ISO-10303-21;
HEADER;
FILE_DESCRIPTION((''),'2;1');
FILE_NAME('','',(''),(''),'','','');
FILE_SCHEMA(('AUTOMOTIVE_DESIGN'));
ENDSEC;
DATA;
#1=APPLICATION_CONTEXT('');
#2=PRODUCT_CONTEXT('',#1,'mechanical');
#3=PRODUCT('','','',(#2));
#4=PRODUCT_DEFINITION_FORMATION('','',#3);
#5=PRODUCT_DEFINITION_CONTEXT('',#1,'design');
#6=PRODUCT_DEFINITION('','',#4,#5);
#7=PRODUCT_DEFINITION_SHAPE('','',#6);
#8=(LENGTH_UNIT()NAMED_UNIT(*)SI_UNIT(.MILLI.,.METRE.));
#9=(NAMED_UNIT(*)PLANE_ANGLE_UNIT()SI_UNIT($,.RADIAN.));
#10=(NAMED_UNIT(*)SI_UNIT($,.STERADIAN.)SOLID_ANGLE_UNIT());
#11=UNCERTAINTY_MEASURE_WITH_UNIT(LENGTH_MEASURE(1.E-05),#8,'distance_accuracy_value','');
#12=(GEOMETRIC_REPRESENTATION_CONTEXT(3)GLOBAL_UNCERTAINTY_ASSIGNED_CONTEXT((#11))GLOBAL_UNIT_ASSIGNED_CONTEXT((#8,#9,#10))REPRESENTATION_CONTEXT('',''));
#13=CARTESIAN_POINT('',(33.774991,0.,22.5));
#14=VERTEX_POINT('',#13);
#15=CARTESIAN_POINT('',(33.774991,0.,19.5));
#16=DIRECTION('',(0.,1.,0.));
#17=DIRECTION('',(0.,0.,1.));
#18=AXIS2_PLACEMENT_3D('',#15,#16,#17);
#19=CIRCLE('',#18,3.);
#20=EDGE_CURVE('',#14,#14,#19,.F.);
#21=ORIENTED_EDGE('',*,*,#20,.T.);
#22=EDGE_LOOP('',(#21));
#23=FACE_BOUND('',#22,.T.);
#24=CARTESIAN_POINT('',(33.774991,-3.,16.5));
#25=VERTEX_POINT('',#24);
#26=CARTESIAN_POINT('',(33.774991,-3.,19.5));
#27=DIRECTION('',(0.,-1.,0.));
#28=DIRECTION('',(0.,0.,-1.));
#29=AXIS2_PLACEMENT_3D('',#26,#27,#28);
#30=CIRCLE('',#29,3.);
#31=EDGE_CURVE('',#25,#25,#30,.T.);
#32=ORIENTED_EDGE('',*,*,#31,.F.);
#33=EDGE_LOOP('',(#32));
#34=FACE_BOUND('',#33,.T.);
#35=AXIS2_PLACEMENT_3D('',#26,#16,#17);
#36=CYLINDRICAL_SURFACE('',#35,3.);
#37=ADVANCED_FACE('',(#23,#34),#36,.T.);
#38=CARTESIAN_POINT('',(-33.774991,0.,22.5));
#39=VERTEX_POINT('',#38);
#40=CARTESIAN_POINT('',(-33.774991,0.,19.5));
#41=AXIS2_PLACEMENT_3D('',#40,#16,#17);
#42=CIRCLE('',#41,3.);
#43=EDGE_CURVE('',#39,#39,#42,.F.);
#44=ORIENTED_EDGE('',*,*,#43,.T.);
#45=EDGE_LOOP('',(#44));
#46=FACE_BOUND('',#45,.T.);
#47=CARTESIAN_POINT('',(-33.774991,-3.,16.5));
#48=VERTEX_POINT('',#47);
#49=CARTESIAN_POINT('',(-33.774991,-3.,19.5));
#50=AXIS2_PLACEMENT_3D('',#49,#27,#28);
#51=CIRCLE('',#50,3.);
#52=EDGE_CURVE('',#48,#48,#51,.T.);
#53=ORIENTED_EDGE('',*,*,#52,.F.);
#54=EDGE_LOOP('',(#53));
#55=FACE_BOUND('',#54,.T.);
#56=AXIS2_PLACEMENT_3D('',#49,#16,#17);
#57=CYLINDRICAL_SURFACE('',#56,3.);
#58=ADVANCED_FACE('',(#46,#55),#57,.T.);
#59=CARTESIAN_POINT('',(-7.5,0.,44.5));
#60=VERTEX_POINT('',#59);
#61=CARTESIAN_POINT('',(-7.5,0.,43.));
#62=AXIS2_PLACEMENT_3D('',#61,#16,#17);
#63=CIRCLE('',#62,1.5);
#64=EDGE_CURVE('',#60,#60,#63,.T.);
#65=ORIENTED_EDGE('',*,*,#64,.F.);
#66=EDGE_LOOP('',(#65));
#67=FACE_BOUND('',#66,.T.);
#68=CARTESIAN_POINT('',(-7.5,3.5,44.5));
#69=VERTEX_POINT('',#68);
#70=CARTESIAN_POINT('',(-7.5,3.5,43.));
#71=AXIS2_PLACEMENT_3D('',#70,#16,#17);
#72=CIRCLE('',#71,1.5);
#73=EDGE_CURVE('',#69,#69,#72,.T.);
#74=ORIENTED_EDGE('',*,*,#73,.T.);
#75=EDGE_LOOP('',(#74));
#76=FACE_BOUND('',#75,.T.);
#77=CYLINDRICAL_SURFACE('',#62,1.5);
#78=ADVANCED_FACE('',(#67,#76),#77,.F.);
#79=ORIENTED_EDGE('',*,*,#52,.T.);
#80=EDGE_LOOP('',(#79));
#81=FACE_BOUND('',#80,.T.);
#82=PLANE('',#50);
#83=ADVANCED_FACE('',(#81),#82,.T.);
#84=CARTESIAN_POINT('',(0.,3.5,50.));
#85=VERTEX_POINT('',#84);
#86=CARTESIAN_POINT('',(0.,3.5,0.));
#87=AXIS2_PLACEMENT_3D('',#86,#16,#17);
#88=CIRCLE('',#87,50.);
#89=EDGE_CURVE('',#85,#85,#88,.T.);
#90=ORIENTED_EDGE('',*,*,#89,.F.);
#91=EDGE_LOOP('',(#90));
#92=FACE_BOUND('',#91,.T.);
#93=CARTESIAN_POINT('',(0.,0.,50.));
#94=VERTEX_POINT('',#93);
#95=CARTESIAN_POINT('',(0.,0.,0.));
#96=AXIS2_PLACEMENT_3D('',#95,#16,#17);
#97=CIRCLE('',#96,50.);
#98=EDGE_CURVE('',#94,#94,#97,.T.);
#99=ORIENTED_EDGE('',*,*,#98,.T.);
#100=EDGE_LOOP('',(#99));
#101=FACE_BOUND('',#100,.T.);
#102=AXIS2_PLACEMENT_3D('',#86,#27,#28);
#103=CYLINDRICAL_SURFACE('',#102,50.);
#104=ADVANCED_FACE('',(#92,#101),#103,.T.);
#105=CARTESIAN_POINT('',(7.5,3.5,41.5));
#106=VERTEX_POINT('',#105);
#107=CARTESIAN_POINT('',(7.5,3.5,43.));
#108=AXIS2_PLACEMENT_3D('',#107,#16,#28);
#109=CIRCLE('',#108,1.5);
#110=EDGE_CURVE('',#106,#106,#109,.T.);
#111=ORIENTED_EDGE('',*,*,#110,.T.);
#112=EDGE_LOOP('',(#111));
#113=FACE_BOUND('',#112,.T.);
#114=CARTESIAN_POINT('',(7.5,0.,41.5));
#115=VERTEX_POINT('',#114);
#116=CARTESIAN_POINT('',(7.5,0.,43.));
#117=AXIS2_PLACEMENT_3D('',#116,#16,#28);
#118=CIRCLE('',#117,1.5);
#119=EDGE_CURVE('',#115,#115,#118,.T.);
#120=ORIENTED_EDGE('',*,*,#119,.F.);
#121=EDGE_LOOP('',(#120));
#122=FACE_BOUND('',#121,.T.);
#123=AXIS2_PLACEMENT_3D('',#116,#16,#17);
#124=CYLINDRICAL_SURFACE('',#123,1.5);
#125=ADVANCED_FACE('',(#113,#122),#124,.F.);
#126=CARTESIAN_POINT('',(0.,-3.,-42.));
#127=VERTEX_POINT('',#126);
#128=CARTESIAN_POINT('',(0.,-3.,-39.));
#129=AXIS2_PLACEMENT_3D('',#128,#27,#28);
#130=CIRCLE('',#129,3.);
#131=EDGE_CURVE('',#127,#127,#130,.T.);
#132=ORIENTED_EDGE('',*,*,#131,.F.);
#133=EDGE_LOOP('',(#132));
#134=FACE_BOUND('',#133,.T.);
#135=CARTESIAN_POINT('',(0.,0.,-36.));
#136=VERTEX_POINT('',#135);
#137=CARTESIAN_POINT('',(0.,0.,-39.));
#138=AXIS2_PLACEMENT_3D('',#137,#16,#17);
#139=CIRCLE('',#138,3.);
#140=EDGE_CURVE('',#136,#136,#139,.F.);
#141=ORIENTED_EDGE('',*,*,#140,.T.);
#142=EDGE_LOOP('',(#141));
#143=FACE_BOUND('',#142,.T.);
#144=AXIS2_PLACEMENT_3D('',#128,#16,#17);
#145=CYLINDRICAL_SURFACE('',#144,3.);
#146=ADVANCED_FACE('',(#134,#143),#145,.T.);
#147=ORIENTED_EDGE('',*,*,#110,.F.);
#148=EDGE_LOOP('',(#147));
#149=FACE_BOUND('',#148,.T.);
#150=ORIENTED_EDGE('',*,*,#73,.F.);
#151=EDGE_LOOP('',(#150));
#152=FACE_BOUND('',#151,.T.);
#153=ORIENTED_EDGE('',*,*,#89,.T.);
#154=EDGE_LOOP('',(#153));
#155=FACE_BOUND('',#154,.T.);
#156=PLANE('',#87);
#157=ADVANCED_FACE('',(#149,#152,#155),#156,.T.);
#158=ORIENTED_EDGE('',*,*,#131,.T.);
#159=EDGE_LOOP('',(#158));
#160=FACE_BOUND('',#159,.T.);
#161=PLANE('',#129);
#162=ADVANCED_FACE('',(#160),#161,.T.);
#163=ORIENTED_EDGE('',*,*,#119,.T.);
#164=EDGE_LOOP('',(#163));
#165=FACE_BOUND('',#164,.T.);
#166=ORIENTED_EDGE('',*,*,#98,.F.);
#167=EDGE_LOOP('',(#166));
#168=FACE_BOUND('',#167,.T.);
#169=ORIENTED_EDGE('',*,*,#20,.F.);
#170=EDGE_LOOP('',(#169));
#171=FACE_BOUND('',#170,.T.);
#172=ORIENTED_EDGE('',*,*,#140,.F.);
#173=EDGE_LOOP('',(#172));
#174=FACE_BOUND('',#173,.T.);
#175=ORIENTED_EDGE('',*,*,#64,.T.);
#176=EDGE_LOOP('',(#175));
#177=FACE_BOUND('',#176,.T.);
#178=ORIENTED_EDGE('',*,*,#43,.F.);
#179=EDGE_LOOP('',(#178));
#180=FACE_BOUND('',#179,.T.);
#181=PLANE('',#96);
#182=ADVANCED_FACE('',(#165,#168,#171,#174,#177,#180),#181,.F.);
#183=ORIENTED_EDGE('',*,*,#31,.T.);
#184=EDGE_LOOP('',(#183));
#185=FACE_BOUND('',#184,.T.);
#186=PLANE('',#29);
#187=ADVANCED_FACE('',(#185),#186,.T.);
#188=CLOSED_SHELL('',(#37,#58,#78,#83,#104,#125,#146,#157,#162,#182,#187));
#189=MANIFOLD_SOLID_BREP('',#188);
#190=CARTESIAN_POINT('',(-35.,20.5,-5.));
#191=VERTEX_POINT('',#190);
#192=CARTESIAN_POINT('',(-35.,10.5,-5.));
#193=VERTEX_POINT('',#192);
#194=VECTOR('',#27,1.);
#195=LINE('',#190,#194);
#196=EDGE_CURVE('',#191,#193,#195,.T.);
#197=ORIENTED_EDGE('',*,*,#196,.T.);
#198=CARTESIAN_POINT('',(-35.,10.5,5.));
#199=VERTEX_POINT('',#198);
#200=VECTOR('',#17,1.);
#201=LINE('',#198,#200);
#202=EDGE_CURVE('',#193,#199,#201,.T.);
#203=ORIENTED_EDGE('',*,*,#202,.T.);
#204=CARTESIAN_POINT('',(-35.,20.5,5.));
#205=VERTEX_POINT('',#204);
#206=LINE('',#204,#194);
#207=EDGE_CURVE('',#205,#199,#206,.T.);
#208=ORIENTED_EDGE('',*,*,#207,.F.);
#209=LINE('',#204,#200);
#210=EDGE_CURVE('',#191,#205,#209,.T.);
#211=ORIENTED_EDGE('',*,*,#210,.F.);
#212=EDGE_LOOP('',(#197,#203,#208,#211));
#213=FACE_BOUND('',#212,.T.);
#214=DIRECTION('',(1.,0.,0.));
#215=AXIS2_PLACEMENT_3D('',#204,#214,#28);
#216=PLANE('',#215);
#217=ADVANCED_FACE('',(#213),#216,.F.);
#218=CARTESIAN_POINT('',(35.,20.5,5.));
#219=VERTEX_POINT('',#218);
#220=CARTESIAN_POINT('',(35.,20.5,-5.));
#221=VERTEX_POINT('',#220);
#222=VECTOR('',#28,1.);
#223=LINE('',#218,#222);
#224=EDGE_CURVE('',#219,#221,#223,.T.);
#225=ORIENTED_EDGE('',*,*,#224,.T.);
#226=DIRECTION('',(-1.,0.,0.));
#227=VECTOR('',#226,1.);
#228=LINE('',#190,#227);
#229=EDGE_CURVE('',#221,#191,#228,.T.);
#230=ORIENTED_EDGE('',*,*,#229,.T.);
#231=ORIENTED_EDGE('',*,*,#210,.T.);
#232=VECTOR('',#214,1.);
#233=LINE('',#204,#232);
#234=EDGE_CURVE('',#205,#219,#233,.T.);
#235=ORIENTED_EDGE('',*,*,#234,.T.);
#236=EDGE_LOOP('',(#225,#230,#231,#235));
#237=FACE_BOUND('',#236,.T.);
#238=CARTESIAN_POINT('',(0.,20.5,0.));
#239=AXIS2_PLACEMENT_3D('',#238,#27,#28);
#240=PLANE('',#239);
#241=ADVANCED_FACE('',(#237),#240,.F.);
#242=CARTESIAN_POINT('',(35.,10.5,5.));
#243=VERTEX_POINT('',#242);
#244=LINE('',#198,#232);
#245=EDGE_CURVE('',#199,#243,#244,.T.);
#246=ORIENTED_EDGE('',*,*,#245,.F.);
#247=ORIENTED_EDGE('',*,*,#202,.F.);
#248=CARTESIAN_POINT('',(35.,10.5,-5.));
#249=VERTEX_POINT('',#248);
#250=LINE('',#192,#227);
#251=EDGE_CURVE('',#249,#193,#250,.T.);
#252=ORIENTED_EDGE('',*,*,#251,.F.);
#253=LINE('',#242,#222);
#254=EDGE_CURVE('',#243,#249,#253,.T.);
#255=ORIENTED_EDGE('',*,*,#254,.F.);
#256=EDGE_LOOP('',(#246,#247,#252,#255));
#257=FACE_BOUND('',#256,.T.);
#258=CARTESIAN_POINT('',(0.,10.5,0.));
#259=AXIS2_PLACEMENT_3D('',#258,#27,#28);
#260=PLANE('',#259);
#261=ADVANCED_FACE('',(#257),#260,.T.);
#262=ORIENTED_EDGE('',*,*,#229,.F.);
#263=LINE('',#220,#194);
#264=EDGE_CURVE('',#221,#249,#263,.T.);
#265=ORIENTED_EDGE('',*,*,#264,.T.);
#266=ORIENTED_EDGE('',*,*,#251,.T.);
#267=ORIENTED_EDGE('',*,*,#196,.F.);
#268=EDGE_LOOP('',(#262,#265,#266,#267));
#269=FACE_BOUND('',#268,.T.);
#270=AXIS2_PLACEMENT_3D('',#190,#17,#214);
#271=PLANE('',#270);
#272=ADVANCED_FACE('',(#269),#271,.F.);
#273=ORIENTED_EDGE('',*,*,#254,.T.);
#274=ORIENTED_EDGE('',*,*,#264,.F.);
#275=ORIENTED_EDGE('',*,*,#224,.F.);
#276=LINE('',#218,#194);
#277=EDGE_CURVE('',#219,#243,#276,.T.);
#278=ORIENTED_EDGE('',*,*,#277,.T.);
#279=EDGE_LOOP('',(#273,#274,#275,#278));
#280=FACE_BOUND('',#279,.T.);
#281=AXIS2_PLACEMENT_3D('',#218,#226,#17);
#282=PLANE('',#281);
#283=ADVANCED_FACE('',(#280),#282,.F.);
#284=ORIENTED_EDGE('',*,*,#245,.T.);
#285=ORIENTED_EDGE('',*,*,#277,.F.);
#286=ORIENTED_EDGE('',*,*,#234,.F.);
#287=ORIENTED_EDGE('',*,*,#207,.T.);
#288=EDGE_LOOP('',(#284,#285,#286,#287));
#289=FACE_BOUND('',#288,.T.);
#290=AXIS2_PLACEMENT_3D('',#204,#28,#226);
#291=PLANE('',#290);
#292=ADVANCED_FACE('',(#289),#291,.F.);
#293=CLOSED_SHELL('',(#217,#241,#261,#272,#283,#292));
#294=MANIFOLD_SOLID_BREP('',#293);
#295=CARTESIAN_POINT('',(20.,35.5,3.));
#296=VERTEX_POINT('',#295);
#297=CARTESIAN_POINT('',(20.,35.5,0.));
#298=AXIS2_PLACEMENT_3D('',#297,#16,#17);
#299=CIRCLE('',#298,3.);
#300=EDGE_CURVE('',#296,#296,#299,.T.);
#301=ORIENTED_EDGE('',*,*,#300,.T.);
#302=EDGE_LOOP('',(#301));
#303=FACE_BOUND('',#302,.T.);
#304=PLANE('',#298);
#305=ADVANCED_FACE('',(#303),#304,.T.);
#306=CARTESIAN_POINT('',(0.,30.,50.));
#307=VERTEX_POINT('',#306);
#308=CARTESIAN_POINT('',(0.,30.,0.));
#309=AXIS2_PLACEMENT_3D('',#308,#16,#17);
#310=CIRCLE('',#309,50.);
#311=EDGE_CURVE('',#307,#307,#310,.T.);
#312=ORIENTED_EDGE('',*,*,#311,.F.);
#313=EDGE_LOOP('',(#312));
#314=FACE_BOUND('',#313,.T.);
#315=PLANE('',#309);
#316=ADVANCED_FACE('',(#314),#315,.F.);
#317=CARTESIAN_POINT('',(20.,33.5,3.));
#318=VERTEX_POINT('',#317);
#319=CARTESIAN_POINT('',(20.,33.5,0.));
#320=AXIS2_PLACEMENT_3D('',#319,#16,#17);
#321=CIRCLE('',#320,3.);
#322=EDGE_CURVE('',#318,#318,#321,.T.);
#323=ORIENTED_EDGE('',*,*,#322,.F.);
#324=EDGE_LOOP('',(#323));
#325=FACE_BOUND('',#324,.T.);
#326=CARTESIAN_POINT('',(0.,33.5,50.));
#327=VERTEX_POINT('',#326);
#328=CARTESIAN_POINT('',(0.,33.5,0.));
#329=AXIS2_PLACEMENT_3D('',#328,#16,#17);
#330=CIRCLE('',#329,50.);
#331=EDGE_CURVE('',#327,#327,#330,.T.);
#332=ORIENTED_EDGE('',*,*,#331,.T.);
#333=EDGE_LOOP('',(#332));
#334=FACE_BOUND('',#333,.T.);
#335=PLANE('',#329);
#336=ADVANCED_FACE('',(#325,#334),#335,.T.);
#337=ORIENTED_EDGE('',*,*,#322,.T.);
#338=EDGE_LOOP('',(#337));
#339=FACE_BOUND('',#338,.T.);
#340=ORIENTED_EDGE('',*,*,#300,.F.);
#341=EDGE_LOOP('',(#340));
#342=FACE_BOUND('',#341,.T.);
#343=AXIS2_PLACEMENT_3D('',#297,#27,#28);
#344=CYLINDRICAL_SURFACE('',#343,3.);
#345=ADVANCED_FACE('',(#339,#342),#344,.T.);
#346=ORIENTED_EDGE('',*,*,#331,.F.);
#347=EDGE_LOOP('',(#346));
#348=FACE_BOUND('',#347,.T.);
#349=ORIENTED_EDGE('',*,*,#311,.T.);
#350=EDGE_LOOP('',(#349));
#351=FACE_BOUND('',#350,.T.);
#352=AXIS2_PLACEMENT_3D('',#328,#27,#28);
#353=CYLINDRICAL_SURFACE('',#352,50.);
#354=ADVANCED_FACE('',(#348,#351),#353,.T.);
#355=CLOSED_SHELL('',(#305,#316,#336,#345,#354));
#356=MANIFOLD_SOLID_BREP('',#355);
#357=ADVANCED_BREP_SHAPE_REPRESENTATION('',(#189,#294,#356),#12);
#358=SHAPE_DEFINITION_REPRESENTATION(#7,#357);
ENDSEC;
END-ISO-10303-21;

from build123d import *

# Parameters (mm, degrees)
SKETCH_1_R             = 50
EXTRUDE_1_DEPTH        = 3.5
PATTERN_LINEAR_3_COUNT = 2
PATTERN_LINEAR_3_PITCH = 30
EXTRUDE_START          = 10.5
SKETCH_2_W             = 70
SKETCH_2_H             = 10
EXTRUDE_2_DEPTH        = 10
SKETCH_3_R             = 3
EXTRUDE_3_DEPTH        = 2
SKETCH_5_R             = 1.5
CUT_EXTRUDE_1_DEPTH    = 78.614431648
SKETCH_6_R             = 3
EXTRUDE_4_DEPTH        = 3


with BuildPart() as part:
    # 草图1 → 凸台-拉伸1 (new body)
    with BuildSketch(Plane(origin=(0, 0, 0), x_dir=(1, 0, 0), z_dir=(0, 1, 0))):
        with Locations(Location((0, 0, 0), (0, 0, 270))):
            Circle(SKETCH_1_R)
    extrude(amount=EXTRUDE_1_DEPTH)


with BuildPart() as pattern_linear_3_1:
    # 阵列(线性)3: pattern copy
    add(part.part.moved(Location(Vector(0, 1, 0) * (1 * PATTERN_LINEAR_3_PITCH))))

    # 草图3 → 凸台-拉伸3 (add)
    with BuildSketch(Plane(origin=(0, 33.5, 0), x_dir=(1, 0, 0), z_dir=(0, 1, 0))):
        with Locations(Location((20, 0, 0), (0, 0, 270))):
            Circle(SKETCH_3_R)
    extrude(amount=EXTRUDE_3_DEPTH)


with BuildPart() as body_3:
    # 草图2 → 凸台-拉伸2 (new body)
    with BuildSketch(Plane(origin=(0, 0, 0), x_dir=(1, 0, 0), z_dir=(0, 1, 0)).offset(EXTRUDE_START)):
        Rectangle(SKETCH_2_W, SKETCH_2_H)
    extrude(amount=EXTRUDE_2_DEPTH)


with BuildPart() as part_1:
    add(part.part)

    # 草图5 → 切除-拉伸1 (cut, through all)
    with BuildSketch(Plane(origin=(0, 3.5, 0), x_dir=(1, 0, 0), z_dir=(0, 1, 0))):
        with Locations(Location((-7.5, -43, 0), (0, 0, 270))):
            Circle(SKETCH_5_R)
        with Locations(Location((7.5, -43, 0), (0, 0, 90))):
            Circle(SKETCH_5_R)
    extrude(amount=-CUT_EXTRUDE_1_DEPTH, mode=Mode.SUBTRACT)

    # 草图6 → 凸台-拉伸4 (add)
    with BuildSketch(Plane.XZ):
        with Locations(Location((0, -39, 0), (0, 0, 90))):
            Circle(SKETCH_6_R)
        with Locations(Location((-33.774990748, 19.5, 0), (0, 0, 90))):
            Circle(SKETCH_6_R)
        with Locations(Location((33.774990748, 19.5, 0), (0, 0, 90))):
            Circle(SKETCH_6_R)
    extrude(amount=EXTRUDE_4_DEPTH)


solid = Compound([pattern_linear_3_1.part, body_3.part, part_1.part])
